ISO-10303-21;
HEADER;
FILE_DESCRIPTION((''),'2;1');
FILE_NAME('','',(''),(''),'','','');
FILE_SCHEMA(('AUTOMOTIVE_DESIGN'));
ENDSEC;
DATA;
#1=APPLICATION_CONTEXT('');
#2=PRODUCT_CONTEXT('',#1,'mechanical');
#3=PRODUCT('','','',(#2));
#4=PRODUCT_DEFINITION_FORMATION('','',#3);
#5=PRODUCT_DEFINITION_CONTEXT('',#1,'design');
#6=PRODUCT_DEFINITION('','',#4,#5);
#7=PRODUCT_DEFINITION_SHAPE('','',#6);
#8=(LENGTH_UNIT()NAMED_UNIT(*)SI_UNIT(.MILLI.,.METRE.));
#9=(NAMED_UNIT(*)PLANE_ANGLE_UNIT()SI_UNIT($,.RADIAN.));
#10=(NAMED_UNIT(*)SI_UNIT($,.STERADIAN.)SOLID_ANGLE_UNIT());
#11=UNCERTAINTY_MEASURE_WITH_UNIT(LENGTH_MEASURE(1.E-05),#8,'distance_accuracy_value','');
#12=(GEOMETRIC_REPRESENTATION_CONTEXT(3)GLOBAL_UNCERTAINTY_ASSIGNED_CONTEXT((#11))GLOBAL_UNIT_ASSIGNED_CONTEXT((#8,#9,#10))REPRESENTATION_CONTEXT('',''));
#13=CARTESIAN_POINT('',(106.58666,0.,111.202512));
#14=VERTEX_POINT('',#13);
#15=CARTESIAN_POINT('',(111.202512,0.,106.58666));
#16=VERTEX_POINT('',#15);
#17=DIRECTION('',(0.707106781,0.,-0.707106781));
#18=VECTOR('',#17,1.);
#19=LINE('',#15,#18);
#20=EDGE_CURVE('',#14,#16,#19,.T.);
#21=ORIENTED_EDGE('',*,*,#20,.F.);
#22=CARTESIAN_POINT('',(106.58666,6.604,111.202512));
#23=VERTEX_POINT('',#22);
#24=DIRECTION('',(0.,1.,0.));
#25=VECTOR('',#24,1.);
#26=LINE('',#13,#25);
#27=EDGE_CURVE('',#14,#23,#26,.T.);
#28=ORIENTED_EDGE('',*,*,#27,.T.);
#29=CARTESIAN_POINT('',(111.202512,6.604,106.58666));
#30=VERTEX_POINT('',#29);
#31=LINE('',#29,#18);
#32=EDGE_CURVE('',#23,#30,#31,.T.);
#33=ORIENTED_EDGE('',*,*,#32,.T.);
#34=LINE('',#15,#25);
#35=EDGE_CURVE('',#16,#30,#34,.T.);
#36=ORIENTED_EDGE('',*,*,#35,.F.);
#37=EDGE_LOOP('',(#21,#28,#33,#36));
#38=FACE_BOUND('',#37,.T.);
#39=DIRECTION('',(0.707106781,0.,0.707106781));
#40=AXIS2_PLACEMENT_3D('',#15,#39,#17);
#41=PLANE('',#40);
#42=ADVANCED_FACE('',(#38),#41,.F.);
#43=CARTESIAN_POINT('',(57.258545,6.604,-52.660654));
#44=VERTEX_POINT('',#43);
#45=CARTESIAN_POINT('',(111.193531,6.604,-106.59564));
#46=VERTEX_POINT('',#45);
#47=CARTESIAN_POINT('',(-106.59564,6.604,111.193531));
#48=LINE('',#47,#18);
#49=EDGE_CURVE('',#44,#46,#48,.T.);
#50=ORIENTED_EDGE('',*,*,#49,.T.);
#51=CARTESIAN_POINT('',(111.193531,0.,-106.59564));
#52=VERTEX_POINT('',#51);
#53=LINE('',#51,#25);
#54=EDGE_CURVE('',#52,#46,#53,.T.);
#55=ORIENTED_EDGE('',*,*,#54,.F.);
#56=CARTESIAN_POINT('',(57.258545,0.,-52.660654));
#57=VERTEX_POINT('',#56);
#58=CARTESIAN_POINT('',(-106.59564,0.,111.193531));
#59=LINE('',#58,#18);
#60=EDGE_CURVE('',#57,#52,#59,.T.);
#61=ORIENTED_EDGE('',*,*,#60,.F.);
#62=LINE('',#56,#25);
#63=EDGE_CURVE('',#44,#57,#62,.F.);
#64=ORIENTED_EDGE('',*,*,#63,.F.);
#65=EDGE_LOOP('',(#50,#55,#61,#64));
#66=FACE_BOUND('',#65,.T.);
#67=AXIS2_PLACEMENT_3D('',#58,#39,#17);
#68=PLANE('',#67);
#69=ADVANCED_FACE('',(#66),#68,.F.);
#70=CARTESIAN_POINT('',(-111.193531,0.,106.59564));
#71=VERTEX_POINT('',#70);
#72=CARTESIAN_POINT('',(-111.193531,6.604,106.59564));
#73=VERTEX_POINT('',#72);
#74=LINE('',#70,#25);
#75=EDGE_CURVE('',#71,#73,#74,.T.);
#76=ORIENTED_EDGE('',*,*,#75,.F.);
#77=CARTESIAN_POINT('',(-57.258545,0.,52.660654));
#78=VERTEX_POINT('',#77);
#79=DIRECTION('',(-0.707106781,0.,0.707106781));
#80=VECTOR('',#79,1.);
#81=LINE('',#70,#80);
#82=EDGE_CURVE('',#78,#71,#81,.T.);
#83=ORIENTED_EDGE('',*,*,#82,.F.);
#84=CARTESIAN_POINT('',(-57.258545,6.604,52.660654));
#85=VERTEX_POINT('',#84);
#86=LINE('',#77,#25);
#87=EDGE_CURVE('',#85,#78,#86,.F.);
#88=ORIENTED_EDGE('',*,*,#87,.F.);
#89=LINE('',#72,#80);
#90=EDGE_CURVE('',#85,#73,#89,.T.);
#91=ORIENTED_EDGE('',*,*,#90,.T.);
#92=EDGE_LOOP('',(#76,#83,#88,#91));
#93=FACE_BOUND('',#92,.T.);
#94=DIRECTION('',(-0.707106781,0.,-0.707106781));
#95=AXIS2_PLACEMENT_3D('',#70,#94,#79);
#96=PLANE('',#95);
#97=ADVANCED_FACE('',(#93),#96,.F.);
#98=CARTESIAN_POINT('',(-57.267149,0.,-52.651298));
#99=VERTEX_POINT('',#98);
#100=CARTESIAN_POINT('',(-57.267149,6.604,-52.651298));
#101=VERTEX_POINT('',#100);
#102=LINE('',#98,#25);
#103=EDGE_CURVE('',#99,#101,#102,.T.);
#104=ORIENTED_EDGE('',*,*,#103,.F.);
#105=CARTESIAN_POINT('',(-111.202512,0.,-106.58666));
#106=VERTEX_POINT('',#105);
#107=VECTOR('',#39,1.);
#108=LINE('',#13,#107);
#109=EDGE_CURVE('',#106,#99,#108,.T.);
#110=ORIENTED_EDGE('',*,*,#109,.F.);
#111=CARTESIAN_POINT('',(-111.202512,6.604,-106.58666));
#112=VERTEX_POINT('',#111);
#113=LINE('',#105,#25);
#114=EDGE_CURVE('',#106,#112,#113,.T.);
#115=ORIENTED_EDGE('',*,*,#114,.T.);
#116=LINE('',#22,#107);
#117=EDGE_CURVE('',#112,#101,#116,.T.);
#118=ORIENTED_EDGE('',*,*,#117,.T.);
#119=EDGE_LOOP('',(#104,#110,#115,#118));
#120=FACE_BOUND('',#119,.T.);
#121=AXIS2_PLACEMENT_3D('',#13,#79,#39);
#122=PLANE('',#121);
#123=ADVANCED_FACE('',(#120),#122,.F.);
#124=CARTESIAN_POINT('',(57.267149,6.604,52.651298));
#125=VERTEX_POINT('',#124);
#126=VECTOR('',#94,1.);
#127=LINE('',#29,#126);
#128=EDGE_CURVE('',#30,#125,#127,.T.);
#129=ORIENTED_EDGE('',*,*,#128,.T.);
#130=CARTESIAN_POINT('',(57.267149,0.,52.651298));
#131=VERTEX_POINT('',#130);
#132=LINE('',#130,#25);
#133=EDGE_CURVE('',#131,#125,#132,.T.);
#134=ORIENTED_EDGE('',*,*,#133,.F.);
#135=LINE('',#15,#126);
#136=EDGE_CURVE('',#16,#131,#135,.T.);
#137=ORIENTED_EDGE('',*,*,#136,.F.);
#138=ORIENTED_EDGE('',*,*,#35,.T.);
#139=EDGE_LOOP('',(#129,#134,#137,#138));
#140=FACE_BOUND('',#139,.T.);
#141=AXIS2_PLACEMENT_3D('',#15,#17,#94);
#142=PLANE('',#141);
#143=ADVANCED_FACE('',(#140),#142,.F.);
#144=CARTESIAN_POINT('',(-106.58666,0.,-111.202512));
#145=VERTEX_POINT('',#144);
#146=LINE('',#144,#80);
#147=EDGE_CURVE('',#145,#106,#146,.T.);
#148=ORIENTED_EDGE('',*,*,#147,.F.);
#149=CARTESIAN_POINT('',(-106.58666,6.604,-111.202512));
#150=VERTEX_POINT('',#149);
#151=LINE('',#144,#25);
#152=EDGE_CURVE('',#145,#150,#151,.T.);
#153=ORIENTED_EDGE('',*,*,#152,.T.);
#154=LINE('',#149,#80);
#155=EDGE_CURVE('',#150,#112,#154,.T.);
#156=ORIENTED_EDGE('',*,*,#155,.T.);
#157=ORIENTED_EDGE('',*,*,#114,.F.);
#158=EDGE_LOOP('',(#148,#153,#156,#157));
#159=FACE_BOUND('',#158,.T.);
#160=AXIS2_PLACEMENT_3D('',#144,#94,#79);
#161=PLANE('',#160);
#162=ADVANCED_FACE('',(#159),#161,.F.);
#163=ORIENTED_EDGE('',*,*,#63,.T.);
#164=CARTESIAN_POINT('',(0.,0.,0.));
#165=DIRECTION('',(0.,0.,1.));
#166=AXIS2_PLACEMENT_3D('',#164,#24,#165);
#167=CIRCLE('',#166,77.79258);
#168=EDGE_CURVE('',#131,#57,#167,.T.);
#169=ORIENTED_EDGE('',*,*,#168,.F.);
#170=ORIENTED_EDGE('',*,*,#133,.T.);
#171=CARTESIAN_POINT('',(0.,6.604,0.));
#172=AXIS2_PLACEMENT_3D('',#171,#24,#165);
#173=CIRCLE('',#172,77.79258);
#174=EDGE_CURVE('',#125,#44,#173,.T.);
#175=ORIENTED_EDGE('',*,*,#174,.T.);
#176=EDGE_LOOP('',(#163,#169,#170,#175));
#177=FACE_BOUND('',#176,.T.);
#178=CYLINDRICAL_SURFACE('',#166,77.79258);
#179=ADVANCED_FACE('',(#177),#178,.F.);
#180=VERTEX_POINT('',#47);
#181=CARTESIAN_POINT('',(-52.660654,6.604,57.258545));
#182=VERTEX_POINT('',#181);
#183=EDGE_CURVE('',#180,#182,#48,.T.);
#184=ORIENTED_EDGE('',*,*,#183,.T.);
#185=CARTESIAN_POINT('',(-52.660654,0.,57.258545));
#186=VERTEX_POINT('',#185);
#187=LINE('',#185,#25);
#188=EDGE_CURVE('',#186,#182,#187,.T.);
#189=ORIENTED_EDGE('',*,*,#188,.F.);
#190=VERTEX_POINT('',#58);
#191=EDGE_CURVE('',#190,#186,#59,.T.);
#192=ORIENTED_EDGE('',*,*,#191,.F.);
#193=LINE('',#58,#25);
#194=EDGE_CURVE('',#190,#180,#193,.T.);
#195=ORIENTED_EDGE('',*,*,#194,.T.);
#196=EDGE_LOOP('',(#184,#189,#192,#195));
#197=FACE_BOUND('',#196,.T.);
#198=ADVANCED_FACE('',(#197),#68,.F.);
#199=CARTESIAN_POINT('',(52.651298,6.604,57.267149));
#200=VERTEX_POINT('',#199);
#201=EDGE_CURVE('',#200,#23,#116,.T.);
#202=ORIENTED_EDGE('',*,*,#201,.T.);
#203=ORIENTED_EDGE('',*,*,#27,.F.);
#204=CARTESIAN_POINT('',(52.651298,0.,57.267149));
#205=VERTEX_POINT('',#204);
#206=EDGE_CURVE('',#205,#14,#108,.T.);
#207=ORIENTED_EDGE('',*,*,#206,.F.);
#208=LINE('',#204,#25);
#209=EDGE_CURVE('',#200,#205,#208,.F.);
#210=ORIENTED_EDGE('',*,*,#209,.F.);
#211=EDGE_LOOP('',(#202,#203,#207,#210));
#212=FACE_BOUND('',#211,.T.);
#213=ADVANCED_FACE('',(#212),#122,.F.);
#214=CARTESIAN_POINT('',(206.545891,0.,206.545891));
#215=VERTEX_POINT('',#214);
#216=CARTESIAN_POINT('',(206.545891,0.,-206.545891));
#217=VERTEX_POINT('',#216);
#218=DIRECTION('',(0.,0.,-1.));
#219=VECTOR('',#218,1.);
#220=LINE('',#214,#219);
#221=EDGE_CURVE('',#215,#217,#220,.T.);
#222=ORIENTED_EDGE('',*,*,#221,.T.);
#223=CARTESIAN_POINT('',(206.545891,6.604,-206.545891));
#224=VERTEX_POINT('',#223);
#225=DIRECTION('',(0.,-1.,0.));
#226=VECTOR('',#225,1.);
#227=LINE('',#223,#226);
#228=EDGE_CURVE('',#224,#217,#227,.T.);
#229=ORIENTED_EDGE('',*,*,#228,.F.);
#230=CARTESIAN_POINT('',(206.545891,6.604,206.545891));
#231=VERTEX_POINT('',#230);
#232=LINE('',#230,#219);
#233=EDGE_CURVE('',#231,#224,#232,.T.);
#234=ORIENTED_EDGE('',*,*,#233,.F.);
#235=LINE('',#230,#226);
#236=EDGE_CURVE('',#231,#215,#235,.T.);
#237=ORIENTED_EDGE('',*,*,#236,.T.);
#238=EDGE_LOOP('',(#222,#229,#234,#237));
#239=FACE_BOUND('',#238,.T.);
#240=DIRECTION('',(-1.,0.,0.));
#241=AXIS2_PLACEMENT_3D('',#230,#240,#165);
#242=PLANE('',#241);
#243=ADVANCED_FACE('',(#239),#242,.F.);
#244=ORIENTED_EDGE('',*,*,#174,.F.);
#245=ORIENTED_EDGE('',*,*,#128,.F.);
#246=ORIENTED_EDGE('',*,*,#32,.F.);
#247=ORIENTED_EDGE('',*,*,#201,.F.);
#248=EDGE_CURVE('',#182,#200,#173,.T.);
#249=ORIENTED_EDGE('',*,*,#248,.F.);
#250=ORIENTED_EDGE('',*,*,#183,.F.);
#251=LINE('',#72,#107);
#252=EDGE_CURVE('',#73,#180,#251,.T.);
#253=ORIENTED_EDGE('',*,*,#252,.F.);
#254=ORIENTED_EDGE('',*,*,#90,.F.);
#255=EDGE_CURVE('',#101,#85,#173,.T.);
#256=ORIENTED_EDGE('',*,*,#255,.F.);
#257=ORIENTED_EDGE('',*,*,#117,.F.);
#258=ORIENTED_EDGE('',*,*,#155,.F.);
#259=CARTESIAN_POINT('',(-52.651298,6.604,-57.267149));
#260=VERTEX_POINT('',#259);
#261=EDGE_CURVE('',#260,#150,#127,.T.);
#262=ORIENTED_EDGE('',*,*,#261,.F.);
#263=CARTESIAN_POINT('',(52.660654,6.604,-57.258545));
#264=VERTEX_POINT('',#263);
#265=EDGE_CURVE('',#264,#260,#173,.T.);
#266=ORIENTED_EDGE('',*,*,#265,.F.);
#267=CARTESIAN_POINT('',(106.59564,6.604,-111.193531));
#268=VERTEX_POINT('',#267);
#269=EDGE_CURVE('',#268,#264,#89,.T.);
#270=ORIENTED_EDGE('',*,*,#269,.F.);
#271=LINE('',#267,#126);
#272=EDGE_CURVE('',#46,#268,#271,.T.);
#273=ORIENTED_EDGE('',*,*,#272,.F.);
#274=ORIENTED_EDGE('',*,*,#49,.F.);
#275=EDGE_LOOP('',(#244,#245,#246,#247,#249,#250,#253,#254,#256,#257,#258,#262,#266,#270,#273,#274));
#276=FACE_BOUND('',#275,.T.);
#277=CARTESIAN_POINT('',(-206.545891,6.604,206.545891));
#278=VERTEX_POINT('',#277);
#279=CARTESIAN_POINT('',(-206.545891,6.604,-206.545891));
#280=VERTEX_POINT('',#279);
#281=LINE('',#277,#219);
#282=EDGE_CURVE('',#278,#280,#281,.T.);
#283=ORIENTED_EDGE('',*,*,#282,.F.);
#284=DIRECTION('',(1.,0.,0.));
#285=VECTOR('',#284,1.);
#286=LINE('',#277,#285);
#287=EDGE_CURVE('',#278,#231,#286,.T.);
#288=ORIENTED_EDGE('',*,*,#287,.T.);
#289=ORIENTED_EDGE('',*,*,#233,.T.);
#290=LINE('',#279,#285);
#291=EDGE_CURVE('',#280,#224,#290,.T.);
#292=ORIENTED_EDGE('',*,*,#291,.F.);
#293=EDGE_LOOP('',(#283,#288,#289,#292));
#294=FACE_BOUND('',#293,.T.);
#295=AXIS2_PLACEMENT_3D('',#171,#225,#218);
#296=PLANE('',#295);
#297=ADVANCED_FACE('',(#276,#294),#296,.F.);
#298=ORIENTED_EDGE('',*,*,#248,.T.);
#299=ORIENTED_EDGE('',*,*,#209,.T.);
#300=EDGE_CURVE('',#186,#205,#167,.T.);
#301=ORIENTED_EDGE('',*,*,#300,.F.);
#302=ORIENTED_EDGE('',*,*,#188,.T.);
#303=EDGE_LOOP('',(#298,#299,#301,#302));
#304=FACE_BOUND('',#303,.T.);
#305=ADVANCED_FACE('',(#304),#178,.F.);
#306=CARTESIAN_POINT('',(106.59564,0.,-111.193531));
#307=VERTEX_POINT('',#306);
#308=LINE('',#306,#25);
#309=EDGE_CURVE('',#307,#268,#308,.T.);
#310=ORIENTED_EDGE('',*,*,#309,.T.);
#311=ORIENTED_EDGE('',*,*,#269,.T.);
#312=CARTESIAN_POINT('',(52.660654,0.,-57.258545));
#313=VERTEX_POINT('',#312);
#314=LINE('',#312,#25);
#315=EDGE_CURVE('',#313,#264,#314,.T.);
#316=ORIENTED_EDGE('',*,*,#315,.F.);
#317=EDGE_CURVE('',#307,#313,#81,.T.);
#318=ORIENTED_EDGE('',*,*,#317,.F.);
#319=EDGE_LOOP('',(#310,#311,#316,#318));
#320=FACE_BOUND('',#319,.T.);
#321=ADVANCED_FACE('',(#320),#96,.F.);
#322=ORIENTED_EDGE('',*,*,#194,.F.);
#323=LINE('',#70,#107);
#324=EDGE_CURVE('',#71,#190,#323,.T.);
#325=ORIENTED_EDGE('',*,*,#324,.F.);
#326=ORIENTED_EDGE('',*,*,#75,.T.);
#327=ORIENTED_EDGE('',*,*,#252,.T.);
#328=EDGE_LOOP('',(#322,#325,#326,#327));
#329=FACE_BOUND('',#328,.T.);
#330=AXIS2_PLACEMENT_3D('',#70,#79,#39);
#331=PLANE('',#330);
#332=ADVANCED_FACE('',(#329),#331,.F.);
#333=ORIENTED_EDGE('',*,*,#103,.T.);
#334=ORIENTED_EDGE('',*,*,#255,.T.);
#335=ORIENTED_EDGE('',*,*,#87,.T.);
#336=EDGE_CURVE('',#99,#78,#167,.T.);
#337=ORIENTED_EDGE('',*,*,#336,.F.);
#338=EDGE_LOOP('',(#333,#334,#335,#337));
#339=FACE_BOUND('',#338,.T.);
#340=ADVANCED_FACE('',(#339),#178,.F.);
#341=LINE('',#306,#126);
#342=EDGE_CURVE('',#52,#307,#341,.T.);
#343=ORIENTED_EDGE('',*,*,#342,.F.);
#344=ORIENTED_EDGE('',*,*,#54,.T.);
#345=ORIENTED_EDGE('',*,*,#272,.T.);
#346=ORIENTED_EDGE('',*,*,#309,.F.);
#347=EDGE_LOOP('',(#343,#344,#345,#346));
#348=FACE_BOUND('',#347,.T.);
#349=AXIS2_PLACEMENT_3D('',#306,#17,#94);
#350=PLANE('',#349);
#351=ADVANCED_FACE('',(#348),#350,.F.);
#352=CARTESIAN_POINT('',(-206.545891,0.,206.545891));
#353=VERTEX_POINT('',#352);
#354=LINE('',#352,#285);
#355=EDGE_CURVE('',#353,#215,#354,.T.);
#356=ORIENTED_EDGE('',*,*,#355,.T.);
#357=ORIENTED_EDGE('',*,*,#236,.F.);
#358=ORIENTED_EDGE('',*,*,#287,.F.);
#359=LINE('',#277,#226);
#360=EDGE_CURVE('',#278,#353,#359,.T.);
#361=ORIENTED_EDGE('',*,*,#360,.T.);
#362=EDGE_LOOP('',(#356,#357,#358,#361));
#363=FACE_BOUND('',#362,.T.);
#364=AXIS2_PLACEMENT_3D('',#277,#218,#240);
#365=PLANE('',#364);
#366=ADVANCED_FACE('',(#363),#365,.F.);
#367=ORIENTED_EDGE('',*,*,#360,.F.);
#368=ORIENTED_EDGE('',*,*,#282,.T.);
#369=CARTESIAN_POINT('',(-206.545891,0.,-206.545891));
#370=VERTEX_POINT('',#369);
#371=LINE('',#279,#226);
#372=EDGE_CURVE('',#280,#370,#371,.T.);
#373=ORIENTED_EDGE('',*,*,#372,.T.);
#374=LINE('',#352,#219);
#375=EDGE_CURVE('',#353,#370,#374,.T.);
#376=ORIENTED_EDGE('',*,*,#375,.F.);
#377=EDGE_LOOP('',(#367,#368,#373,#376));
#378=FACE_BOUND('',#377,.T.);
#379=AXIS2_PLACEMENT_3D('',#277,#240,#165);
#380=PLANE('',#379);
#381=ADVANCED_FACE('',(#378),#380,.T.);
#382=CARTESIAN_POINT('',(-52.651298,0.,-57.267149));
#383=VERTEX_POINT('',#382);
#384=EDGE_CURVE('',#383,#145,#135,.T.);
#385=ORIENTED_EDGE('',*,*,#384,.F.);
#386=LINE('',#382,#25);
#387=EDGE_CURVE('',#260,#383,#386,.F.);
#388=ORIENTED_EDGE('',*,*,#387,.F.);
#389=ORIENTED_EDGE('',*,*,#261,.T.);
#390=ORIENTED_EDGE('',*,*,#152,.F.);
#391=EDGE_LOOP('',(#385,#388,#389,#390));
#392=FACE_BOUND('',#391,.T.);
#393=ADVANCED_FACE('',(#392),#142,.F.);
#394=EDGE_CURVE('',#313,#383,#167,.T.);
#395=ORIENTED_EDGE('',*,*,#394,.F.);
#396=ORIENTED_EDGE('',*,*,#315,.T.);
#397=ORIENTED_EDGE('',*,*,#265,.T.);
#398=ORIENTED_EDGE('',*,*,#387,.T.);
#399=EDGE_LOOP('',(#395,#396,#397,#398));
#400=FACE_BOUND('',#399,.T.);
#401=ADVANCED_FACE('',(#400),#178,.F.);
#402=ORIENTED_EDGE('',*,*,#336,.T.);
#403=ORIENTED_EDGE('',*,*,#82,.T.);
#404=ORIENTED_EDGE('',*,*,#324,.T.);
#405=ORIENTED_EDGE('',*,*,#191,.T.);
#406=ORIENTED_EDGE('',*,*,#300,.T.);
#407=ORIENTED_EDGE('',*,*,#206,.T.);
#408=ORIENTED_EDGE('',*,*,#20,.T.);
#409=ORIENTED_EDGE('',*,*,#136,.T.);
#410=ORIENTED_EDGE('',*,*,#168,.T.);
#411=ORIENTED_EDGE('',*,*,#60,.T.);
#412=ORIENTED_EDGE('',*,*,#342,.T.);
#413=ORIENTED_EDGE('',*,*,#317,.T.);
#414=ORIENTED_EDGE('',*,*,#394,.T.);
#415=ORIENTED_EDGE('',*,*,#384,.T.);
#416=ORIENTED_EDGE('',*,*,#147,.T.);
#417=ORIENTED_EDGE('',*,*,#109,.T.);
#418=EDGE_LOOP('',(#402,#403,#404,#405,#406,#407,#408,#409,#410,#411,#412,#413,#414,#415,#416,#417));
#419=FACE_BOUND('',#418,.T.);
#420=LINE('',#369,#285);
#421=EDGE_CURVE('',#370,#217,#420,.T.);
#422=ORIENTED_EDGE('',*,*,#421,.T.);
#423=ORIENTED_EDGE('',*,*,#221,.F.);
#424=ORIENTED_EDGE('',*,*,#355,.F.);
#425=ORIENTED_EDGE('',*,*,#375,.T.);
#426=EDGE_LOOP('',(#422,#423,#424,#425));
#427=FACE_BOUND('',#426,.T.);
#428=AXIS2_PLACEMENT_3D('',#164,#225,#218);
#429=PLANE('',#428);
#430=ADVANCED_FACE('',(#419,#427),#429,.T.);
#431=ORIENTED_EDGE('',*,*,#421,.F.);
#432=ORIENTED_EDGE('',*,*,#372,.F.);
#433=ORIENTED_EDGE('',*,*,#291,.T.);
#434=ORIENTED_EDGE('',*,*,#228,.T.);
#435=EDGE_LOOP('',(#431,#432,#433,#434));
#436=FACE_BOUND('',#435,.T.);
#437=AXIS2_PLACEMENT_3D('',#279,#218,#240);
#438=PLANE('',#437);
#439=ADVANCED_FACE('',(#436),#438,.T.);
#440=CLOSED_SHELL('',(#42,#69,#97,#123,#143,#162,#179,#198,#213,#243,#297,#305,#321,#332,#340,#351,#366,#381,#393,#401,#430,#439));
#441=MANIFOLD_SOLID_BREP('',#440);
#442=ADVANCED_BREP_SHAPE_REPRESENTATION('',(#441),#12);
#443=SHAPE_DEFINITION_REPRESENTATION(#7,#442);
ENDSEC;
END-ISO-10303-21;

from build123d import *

# Parameters (mm, degrees)
SKETCH4_W           = 413.09178157
SKETCH4_H           = 413.09178157
BOSS_EXTRUDE3_DEPTH = 6.604
SKETCH6_R           = 77.79258
CUT_EXTRUDE1_DEPTH  = 6.604
CUT_EXTRUDE2_DEPTH  = 6.604
CUT_EXTRUDE3_DEPTH  = 6.604


with BuildPart() as part:
    # Sketch4 → Boss-Extrude3 (new body)
    with BuildSketch(Plane(origin=(0, 0, 0), x_dir=(1, 0, 0), z_dir=(0, 1, 0))):
        Rectangle(SKETCH4_W, SKETCH4_H)
    extrude(amount=BOSS_EXTRUDE3_DEPTH)

    # Sketch6 → Cut-Extrude1 (cut)
    with BuildSketch(Plane(origin=(0, 6.604, 0), x_dir=(1, 0, 0), z_dir=(0, 1, 0))):
        Circle(SKETCH6_R)
    extrude(amount=-CUT_EXTRUDE1_DEPTH, mode=Mode.SUBTRACT)

    # Sketch8 → Cut-Extrude2 (cut)
    with BuildSketch(Plane(origin=(0, 6.604, 0), x_dir=(1, 0, 0), z_dir=(0, 1, 0))):
        Polygon((-111.193531291, -106.595640157), (106.595640157, 111.193531291), (111.193531291, 106.595640157), (-106.595640157, -111.193531291), align=None)
    extrude(amount=-CUT_EXTRUDE2_DEPTH, mode=Mode.SUBTRACT)

    # Sketch9 → Cut-Extrude3 (cut)
    with BuildSketch(Plane(origin=(0, 6.604, 0), x_dir=(1, 0, 0), z_dir=(0, 1, 0))):
        Polygon((111.202511547, -106.586659901), (-106.586659901, 111.202511547), (-111.202511547, 106.586659901), (106.586659901, -111.202511547), align=None)
    extrude(amount=-CUT_EXTRUDE3_DEPTH, mode=Mode.SUBTRACT)


solid = part.part
